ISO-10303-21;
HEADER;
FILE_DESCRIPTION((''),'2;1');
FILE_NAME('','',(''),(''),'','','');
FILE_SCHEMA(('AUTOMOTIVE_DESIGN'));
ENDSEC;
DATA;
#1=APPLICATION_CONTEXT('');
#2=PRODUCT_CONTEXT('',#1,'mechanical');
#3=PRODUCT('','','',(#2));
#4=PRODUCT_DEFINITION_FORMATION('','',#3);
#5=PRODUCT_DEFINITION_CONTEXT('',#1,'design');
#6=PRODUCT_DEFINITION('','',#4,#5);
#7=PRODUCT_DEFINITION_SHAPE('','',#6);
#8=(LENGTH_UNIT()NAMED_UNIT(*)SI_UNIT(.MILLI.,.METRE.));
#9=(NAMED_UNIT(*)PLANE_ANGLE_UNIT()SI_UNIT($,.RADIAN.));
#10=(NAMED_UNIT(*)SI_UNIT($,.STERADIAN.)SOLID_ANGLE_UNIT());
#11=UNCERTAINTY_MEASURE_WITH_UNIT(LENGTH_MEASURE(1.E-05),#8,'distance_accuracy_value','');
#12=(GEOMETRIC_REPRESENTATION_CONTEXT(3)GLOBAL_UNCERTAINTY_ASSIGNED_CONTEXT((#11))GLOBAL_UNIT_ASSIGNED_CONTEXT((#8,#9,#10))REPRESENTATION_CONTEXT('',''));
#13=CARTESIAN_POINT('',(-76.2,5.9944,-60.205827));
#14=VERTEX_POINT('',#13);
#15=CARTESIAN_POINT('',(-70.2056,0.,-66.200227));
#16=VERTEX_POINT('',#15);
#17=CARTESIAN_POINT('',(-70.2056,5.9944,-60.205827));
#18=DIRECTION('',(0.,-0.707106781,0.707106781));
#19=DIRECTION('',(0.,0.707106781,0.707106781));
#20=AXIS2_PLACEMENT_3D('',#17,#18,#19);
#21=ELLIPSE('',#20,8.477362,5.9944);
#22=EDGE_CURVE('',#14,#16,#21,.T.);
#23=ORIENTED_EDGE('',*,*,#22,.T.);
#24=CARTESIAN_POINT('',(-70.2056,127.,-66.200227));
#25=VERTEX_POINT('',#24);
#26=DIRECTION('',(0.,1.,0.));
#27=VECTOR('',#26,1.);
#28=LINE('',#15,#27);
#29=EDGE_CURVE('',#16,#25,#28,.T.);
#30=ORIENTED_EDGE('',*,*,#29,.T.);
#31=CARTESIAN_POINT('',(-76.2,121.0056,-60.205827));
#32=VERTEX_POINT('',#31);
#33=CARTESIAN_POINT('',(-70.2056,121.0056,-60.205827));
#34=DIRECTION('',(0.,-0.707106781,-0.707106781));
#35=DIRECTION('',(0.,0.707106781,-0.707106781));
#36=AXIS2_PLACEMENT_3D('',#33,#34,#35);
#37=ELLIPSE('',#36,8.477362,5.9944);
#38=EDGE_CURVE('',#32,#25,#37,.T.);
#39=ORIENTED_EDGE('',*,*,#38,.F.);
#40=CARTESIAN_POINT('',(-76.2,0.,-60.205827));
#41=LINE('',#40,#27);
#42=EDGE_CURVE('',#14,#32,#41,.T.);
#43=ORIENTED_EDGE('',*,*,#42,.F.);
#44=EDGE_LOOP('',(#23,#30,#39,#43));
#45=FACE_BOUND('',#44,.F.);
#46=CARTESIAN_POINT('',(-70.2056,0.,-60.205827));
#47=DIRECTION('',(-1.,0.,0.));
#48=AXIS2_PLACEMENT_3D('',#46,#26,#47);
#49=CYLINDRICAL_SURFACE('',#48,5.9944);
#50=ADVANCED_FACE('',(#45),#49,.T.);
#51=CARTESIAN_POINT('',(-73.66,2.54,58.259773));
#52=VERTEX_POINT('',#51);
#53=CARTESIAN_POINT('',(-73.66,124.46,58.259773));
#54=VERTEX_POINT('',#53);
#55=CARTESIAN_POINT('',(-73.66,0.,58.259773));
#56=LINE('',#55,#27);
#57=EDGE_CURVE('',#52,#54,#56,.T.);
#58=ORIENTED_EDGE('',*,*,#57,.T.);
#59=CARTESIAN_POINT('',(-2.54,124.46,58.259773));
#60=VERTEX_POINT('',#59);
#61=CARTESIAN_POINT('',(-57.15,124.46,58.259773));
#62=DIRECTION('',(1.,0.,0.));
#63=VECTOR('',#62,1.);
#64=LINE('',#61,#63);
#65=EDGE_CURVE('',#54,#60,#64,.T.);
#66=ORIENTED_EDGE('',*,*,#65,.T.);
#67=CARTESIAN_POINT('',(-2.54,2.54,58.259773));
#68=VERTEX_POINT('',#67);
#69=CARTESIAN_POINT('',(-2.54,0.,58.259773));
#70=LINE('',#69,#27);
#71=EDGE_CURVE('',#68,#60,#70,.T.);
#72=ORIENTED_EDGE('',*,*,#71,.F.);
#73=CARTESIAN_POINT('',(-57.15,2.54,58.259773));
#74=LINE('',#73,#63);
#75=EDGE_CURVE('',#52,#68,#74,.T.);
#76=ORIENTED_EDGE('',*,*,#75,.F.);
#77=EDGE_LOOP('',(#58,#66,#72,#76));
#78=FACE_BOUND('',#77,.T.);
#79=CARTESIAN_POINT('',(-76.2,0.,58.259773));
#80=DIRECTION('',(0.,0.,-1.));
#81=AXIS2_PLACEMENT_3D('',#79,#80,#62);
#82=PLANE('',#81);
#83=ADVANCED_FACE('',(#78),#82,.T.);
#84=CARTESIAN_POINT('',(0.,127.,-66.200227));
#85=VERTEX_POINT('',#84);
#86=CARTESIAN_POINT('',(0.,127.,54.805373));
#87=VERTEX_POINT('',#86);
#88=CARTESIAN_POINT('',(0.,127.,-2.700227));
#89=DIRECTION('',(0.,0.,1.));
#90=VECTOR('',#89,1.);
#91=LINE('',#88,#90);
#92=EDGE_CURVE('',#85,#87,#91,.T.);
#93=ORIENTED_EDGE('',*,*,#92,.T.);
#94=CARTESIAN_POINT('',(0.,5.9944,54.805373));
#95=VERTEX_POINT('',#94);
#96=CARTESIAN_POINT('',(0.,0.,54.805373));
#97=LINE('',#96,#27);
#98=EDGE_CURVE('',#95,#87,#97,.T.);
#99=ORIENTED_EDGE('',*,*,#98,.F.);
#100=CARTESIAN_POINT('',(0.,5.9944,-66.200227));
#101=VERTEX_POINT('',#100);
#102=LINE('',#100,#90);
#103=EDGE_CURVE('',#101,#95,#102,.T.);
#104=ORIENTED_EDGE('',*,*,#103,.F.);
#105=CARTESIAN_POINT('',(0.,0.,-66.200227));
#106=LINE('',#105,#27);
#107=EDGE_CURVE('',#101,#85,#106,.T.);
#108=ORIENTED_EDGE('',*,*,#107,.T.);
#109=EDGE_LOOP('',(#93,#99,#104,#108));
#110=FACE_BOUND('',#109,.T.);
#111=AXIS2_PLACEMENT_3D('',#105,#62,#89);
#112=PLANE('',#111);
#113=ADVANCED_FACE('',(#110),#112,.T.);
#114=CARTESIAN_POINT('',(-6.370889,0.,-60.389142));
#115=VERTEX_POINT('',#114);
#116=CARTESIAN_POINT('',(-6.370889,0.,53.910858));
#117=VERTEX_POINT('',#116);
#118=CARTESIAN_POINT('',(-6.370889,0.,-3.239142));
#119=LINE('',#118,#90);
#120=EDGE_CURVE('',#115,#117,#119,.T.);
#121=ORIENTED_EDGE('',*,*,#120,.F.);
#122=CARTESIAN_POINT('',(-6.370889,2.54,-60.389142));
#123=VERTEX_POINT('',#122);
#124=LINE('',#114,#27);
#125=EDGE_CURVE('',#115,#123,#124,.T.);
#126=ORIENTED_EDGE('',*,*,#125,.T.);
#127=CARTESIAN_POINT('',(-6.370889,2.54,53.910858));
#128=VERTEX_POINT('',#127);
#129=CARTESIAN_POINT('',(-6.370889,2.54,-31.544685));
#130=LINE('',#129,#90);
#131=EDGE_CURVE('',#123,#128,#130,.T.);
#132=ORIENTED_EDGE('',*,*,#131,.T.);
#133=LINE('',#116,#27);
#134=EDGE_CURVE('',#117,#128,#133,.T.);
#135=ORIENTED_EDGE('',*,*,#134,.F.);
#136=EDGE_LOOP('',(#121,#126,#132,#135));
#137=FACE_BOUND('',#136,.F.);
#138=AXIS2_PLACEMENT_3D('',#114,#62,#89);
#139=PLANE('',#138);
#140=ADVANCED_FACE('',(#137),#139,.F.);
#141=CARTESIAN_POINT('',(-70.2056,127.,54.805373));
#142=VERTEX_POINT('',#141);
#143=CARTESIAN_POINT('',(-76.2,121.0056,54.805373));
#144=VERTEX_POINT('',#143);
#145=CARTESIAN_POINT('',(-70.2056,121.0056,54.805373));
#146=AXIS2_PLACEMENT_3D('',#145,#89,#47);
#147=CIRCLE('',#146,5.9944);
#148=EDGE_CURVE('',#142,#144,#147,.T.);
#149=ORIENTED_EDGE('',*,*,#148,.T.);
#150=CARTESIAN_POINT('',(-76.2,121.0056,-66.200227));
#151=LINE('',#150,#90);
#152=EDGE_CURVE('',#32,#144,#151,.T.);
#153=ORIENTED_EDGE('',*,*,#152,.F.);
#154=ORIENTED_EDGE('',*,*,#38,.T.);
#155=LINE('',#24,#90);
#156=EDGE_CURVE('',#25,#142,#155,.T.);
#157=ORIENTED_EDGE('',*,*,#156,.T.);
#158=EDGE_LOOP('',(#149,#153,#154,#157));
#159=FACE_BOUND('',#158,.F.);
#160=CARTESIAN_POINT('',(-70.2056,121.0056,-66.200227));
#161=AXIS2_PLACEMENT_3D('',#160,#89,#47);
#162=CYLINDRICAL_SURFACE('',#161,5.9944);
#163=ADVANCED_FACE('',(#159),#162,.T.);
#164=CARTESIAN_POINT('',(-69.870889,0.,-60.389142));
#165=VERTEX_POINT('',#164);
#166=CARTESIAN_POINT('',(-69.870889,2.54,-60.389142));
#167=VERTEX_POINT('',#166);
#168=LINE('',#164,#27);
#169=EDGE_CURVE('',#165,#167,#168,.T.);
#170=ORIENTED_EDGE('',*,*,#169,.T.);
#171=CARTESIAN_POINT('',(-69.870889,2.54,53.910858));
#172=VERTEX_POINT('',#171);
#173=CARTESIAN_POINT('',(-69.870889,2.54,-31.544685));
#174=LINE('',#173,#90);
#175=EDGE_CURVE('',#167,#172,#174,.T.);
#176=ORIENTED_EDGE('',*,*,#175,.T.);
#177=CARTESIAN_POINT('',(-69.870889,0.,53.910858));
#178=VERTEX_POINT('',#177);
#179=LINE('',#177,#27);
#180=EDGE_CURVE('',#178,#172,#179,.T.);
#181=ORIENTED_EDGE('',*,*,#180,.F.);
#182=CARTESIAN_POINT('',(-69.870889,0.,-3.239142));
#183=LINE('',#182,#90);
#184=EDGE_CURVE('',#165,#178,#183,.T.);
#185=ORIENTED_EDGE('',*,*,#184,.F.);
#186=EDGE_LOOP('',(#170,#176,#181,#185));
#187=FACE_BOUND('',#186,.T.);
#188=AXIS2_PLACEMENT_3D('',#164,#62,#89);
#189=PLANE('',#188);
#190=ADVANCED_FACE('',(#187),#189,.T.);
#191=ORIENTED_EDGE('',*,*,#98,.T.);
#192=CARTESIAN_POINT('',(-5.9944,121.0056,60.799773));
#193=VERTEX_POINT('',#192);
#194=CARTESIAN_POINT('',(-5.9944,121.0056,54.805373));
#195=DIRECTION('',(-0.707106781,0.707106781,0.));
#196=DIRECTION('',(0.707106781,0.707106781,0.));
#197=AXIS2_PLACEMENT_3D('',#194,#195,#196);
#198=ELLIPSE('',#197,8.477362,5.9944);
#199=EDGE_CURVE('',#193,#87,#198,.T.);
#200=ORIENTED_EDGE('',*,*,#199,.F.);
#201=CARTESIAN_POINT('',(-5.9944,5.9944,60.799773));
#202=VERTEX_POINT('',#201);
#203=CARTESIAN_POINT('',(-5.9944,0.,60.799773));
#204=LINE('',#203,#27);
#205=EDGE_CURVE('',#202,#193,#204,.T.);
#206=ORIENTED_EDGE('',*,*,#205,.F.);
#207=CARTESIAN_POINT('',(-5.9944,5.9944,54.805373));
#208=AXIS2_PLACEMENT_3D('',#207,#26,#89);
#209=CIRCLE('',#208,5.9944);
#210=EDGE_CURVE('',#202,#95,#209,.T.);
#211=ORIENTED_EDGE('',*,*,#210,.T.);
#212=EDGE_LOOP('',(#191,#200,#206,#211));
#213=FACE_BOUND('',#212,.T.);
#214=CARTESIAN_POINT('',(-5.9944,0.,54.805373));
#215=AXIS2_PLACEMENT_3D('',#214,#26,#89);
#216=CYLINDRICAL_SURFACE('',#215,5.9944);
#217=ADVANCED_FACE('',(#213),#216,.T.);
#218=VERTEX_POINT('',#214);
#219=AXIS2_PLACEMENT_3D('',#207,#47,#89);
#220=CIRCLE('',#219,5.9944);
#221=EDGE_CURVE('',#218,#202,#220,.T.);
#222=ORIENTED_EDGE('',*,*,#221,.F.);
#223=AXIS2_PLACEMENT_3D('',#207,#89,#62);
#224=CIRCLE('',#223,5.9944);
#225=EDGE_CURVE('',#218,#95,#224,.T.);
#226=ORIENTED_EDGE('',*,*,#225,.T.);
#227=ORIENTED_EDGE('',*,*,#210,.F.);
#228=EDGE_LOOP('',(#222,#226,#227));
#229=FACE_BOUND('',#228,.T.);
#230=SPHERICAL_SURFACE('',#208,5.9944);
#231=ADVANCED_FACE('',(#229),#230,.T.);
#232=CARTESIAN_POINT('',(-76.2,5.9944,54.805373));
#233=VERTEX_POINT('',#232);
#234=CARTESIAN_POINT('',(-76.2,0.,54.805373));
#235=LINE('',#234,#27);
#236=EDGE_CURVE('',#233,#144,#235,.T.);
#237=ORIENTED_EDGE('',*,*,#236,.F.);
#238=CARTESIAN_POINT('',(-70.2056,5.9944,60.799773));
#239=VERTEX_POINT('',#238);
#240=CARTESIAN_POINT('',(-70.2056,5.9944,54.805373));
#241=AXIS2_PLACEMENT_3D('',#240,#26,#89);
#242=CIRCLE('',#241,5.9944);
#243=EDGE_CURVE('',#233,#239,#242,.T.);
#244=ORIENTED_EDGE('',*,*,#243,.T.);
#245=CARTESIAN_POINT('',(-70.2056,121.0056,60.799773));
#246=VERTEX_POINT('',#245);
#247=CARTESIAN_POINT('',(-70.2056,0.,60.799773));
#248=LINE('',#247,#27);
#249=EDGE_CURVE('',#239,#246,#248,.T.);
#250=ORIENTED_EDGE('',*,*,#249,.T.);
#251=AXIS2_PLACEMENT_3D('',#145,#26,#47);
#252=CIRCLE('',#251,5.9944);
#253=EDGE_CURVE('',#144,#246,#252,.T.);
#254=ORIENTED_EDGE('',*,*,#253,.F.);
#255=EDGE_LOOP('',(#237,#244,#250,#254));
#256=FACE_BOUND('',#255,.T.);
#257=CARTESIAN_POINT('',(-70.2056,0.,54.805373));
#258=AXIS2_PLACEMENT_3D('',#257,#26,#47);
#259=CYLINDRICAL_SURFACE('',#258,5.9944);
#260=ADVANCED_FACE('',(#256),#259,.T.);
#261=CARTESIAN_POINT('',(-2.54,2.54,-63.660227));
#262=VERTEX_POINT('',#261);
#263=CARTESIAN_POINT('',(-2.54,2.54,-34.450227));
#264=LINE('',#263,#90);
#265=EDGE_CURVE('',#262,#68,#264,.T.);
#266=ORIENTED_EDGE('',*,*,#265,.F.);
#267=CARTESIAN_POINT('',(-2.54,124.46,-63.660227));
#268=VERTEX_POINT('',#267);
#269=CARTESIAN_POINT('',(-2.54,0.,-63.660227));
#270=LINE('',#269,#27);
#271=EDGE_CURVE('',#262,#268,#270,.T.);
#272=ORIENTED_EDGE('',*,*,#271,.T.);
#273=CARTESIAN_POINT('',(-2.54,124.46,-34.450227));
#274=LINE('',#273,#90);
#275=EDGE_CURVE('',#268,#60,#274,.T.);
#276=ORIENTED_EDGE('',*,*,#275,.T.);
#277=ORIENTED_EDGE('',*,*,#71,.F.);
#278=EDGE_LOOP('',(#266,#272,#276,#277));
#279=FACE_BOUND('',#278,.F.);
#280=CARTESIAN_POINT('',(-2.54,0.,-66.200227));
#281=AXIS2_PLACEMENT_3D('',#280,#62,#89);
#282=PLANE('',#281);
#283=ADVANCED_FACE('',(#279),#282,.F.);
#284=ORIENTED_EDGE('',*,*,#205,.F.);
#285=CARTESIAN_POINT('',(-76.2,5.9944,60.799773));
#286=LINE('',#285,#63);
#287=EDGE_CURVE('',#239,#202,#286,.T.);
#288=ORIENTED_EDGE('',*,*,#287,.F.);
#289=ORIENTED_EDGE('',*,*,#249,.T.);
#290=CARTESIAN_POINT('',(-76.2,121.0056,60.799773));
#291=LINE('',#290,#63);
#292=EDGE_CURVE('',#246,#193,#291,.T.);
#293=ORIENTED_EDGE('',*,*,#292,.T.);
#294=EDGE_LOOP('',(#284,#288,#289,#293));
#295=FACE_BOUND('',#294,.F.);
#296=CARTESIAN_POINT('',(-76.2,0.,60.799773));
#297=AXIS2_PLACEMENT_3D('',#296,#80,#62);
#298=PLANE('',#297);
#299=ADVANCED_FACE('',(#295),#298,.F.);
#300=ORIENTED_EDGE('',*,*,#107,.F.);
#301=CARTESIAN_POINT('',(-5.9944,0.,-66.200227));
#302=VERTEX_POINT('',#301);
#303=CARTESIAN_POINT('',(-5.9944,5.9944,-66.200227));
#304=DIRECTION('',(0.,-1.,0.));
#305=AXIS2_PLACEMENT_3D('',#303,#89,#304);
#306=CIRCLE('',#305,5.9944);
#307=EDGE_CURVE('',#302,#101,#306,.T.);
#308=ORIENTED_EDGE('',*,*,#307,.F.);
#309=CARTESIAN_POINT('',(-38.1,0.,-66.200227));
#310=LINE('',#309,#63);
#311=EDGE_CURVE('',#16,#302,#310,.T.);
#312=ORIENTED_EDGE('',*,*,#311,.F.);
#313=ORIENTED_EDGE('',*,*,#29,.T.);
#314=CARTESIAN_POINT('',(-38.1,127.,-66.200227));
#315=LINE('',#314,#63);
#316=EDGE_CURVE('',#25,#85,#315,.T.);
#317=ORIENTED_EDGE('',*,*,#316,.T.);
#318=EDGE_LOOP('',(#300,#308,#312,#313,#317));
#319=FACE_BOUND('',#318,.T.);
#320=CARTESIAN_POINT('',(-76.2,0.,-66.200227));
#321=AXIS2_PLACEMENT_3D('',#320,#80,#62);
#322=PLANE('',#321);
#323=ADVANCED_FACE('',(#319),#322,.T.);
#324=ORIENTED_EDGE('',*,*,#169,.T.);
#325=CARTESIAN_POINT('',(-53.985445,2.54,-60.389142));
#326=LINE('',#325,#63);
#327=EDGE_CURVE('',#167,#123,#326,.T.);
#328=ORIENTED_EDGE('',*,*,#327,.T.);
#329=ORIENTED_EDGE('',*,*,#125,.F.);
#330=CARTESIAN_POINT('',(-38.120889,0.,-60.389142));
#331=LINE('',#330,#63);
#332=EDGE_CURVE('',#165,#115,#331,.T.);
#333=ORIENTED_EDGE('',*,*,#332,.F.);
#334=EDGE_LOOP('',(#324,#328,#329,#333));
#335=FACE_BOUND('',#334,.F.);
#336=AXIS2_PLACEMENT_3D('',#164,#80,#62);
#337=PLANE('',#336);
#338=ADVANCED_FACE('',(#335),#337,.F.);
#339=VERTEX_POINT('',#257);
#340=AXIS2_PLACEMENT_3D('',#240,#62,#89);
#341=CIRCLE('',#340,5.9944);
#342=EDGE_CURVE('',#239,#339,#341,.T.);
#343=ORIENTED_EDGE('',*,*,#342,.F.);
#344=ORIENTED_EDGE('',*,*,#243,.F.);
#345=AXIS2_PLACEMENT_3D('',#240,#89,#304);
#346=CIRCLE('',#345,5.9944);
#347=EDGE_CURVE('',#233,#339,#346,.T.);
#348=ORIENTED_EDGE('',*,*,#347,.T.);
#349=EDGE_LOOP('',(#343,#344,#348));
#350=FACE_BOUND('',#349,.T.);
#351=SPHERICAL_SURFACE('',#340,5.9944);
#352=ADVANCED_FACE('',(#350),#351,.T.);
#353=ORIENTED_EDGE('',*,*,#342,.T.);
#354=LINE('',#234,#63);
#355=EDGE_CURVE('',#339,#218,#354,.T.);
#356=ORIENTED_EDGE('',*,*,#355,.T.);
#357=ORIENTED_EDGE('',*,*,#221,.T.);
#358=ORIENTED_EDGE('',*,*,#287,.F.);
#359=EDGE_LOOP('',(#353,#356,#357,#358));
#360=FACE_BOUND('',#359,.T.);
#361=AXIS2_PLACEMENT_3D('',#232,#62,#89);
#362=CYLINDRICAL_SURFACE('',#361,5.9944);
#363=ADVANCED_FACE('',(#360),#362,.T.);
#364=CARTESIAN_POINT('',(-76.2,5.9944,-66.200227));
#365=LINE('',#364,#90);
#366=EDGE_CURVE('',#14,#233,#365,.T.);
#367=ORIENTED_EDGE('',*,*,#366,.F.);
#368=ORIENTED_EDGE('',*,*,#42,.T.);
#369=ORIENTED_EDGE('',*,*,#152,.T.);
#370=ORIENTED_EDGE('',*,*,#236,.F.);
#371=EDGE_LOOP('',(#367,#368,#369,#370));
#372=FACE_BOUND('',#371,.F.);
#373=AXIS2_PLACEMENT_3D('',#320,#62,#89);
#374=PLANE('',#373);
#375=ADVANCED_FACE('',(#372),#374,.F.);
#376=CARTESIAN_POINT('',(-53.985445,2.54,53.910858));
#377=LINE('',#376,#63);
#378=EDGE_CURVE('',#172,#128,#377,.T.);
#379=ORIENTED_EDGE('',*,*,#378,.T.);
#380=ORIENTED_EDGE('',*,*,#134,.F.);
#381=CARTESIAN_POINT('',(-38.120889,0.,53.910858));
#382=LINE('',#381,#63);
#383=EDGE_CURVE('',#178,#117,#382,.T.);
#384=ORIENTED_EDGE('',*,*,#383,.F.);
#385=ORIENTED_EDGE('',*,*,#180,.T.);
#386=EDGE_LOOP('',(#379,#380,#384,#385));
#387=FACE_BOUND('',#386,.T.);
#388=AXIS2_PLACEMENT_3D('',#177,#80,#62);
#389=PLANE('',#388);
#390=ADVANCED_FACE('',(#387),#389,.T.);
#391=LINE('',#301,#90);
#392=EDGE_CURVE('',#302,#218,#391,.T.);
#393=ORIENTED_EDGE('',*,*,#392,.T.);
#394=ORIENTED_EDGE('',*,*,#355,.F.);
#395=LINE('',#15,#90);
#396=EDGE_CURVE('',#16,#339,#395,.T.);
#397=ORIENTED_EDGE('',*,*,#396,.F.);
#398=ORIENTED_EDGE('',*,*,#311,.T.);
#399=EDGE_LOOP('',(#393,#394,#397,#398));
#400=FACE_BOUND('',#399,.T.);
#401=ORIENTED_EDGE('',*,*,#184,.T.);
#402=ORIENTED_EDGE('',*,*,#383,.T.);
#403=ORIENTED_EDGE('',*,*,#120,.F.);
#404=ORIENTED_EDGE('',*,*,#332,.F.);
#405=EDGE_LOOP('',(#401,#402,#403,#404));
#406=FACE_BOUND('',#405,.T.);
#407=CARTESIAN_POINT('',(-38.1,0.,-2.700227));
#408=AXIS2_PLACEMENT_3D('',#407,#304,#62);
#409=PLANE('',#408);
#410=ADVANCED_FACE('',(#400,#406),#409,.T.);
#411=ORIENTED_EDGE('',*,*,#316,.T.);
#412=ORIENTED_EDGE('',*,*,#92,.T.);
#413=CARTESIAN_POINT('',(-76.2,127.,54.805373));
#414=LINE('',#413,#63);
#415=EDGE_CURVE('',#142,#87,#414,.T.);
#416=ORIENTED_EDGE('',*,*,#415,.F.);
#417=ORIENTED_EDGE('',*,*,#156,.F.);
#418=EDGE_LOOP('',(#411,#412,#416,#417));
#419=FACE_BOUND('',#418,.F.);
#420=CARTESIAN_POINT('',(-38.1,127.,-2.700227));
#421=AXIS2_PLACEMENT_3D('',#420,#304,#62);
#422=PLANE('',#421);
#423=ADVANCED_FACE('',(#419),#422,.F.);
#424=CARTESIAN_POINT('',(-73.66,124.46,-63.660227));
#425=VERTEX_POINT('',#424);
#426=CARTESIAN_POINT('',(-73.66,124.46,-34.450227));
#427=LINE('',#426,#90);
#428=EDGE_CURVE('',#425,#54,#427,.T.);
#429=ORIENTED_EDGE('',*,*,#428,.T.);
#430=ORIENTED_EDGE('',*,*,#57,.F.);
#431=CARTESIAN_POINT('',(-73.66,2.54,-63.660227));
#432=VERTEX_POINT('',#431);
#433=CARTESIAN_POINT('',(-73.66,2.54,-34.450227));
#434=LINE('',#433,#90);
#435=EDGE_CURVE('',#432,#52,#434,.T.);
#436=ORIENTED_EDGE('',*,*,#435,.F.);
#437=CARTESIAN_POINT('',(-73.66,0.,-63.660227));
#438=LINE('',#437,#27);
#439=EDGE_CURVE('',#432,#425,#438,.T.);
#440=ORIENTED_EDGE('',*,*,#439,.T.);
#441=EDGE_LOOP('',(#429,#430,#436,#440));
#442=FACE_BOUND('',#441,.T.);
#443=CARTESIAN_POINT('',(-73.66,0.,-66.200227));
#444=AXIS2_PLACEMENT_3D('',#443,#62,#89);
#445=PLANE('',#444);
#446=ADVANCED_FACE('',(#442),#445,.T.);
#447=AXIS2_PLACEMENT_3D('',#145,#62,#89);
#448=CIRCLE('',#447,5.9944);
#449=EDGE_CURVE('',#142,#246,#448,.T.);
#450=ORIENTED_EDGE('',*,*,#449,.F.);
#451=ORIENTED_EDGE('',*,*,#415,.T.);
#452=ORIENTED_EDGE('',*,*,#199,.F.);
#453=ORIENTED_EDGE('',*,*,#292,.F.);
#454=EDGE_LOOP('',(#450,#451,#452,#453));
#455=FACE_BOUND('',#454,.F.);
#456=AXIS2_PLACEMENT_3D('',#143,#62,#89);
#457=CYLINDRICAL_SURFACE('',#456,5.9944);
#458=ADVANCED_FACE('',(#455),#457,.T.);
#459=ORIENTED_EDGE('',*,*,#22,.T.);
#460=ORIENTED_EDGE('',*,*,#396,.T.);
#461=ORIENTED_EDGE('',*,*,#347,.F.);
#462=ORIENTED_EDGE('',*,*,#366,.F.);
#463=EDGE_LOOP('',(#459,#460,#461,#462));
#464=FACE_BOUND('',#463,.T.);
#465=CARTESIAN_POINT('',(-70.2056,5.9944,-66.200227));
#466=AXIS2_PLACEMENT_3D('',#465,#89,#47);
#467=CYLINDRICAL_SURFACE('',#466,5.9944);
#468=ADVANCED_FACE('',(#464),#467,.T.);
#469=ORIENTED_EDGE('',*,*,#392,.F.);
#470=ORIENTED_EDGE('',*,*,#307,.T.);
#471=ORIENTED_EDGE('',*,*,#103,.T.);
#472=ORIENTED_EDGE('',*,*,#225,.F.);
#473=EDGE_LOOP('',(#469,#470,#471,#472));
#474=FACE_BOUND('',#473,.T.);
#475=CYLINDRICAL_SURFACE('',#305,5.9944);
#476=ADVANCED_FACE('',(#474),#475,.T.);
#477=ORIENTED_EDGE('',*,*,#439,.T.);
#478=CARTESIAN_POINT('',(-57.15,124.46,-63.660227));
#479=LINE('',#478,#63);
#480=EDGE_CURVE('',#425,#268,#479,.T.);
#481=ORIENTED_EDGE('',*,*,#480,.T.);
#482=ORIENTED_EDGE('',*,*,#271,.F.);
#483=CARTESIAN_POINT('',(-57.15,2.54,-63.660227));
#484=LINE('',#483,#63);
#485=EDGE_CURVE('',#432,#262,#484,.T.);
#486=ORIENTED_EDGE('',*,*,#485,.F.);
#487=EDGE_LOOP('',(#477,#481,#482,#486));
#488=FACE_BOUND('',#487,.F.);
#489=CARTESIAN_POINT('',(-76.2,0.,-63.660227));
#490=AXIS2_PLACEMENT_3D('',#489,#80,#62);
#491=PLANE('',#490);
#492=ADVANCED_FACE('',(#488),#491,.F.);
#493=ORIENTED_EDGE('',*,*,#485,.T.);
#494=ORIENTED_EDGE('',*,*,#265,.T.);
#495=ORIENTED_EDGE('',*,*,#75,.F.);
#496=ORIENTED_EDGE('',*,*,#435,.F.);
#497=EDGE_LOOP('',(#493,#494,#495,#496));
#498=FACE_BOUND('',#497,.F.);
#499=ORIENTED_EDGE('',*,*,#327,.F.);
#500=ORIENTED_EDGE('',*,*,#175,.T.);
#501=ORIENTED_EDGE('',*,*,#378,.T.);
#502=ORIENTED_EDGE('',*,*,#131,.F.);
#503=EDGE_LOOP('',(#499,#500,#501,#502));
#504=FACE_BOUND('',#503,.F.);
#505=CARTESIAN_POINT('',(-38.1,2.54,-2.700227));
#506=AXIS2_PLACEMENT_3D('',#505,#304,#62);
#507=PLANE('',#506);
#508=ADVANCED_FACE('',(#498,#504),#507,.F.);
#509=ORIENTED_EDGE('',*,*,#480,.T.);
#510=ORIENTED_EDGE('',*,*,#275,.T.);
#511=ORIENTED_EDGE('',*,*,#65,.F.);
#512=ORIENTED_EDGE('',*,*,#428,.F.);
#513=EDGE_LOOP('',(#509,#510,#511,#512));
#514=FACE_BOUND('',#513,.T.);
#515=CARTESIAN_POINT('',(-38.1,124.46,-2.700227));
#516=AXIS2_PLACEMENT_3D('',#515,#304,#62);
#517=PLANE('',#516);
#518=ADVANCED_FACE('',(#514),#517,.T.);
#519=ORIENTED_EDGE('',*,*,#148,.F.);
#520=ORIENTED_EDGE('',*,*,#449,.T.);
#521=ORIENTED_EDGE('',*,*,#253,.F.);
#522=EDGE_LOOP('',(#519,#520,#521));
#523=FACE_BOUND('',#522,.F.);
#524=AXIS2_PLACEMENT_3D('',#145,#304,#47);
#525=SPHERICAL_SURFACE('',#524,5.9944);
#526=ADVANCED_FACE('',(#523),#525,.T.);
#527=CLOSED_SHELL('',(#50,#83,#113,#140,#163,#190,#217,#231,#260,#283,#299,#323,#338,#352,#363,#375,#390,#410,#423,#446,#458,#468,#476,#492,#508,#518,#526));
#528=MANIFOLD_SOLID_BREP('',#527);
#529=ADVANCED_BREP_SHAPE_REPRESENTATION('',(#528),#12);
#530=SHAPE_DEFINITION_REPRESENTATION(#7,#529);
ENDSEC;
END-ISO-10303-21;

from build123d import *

# Parameters (mm, degrees)
F0_W     = 76.2
F0_H     = 127
F1_DEPTH = 127
F2_T     = -2.54
F3_W     = 63.5
F3_H     = 114.3
F4_DEPTH = 76.2
F5_R     = 5.9944


with BuildPart() as f1:
    # F0 (on Front) → F1 (new body)
    with BuildSketch(Plane.XZ):
        with Locations((-38.1, -2.7002265453)):
            Rectangle(F0_W, F0_H)
    extrude(amount=-F1_DEPTH)

    # F2 (hollow: no face is removed)
    offset(amount=F2_T, mode=Mode.SUBTRACT)

    # F3 (on face) → F4 (cut)
    with BuildSketch(Plane.XZ):
        with Locations((-38.1208891869, -3.2391424835)):
            Rectangle(F3_W, F3_H)
    extrude(amount=-F4_DEPTH, mode=Mode.SUBTRACT)

    # F5
    f5_edges = [f1.edges().sort_by_distance(p)[0] for p in [
        (0, 63.5, 60.799773),
        (-38.1, 0, 60.799773),
        (0, 0, -2.700227),
        (-76.2, 63.5, 60.799773),
        (-76.2, 63.5, -66.200227),
        (-76.2, 0, -2.700227),
        (-76.2, 127, -2.700227),
        (-38.1, 127, 60.799773),
    ]]
    fillet(f5_edges, radius=F5_R)


solid = f1.part
